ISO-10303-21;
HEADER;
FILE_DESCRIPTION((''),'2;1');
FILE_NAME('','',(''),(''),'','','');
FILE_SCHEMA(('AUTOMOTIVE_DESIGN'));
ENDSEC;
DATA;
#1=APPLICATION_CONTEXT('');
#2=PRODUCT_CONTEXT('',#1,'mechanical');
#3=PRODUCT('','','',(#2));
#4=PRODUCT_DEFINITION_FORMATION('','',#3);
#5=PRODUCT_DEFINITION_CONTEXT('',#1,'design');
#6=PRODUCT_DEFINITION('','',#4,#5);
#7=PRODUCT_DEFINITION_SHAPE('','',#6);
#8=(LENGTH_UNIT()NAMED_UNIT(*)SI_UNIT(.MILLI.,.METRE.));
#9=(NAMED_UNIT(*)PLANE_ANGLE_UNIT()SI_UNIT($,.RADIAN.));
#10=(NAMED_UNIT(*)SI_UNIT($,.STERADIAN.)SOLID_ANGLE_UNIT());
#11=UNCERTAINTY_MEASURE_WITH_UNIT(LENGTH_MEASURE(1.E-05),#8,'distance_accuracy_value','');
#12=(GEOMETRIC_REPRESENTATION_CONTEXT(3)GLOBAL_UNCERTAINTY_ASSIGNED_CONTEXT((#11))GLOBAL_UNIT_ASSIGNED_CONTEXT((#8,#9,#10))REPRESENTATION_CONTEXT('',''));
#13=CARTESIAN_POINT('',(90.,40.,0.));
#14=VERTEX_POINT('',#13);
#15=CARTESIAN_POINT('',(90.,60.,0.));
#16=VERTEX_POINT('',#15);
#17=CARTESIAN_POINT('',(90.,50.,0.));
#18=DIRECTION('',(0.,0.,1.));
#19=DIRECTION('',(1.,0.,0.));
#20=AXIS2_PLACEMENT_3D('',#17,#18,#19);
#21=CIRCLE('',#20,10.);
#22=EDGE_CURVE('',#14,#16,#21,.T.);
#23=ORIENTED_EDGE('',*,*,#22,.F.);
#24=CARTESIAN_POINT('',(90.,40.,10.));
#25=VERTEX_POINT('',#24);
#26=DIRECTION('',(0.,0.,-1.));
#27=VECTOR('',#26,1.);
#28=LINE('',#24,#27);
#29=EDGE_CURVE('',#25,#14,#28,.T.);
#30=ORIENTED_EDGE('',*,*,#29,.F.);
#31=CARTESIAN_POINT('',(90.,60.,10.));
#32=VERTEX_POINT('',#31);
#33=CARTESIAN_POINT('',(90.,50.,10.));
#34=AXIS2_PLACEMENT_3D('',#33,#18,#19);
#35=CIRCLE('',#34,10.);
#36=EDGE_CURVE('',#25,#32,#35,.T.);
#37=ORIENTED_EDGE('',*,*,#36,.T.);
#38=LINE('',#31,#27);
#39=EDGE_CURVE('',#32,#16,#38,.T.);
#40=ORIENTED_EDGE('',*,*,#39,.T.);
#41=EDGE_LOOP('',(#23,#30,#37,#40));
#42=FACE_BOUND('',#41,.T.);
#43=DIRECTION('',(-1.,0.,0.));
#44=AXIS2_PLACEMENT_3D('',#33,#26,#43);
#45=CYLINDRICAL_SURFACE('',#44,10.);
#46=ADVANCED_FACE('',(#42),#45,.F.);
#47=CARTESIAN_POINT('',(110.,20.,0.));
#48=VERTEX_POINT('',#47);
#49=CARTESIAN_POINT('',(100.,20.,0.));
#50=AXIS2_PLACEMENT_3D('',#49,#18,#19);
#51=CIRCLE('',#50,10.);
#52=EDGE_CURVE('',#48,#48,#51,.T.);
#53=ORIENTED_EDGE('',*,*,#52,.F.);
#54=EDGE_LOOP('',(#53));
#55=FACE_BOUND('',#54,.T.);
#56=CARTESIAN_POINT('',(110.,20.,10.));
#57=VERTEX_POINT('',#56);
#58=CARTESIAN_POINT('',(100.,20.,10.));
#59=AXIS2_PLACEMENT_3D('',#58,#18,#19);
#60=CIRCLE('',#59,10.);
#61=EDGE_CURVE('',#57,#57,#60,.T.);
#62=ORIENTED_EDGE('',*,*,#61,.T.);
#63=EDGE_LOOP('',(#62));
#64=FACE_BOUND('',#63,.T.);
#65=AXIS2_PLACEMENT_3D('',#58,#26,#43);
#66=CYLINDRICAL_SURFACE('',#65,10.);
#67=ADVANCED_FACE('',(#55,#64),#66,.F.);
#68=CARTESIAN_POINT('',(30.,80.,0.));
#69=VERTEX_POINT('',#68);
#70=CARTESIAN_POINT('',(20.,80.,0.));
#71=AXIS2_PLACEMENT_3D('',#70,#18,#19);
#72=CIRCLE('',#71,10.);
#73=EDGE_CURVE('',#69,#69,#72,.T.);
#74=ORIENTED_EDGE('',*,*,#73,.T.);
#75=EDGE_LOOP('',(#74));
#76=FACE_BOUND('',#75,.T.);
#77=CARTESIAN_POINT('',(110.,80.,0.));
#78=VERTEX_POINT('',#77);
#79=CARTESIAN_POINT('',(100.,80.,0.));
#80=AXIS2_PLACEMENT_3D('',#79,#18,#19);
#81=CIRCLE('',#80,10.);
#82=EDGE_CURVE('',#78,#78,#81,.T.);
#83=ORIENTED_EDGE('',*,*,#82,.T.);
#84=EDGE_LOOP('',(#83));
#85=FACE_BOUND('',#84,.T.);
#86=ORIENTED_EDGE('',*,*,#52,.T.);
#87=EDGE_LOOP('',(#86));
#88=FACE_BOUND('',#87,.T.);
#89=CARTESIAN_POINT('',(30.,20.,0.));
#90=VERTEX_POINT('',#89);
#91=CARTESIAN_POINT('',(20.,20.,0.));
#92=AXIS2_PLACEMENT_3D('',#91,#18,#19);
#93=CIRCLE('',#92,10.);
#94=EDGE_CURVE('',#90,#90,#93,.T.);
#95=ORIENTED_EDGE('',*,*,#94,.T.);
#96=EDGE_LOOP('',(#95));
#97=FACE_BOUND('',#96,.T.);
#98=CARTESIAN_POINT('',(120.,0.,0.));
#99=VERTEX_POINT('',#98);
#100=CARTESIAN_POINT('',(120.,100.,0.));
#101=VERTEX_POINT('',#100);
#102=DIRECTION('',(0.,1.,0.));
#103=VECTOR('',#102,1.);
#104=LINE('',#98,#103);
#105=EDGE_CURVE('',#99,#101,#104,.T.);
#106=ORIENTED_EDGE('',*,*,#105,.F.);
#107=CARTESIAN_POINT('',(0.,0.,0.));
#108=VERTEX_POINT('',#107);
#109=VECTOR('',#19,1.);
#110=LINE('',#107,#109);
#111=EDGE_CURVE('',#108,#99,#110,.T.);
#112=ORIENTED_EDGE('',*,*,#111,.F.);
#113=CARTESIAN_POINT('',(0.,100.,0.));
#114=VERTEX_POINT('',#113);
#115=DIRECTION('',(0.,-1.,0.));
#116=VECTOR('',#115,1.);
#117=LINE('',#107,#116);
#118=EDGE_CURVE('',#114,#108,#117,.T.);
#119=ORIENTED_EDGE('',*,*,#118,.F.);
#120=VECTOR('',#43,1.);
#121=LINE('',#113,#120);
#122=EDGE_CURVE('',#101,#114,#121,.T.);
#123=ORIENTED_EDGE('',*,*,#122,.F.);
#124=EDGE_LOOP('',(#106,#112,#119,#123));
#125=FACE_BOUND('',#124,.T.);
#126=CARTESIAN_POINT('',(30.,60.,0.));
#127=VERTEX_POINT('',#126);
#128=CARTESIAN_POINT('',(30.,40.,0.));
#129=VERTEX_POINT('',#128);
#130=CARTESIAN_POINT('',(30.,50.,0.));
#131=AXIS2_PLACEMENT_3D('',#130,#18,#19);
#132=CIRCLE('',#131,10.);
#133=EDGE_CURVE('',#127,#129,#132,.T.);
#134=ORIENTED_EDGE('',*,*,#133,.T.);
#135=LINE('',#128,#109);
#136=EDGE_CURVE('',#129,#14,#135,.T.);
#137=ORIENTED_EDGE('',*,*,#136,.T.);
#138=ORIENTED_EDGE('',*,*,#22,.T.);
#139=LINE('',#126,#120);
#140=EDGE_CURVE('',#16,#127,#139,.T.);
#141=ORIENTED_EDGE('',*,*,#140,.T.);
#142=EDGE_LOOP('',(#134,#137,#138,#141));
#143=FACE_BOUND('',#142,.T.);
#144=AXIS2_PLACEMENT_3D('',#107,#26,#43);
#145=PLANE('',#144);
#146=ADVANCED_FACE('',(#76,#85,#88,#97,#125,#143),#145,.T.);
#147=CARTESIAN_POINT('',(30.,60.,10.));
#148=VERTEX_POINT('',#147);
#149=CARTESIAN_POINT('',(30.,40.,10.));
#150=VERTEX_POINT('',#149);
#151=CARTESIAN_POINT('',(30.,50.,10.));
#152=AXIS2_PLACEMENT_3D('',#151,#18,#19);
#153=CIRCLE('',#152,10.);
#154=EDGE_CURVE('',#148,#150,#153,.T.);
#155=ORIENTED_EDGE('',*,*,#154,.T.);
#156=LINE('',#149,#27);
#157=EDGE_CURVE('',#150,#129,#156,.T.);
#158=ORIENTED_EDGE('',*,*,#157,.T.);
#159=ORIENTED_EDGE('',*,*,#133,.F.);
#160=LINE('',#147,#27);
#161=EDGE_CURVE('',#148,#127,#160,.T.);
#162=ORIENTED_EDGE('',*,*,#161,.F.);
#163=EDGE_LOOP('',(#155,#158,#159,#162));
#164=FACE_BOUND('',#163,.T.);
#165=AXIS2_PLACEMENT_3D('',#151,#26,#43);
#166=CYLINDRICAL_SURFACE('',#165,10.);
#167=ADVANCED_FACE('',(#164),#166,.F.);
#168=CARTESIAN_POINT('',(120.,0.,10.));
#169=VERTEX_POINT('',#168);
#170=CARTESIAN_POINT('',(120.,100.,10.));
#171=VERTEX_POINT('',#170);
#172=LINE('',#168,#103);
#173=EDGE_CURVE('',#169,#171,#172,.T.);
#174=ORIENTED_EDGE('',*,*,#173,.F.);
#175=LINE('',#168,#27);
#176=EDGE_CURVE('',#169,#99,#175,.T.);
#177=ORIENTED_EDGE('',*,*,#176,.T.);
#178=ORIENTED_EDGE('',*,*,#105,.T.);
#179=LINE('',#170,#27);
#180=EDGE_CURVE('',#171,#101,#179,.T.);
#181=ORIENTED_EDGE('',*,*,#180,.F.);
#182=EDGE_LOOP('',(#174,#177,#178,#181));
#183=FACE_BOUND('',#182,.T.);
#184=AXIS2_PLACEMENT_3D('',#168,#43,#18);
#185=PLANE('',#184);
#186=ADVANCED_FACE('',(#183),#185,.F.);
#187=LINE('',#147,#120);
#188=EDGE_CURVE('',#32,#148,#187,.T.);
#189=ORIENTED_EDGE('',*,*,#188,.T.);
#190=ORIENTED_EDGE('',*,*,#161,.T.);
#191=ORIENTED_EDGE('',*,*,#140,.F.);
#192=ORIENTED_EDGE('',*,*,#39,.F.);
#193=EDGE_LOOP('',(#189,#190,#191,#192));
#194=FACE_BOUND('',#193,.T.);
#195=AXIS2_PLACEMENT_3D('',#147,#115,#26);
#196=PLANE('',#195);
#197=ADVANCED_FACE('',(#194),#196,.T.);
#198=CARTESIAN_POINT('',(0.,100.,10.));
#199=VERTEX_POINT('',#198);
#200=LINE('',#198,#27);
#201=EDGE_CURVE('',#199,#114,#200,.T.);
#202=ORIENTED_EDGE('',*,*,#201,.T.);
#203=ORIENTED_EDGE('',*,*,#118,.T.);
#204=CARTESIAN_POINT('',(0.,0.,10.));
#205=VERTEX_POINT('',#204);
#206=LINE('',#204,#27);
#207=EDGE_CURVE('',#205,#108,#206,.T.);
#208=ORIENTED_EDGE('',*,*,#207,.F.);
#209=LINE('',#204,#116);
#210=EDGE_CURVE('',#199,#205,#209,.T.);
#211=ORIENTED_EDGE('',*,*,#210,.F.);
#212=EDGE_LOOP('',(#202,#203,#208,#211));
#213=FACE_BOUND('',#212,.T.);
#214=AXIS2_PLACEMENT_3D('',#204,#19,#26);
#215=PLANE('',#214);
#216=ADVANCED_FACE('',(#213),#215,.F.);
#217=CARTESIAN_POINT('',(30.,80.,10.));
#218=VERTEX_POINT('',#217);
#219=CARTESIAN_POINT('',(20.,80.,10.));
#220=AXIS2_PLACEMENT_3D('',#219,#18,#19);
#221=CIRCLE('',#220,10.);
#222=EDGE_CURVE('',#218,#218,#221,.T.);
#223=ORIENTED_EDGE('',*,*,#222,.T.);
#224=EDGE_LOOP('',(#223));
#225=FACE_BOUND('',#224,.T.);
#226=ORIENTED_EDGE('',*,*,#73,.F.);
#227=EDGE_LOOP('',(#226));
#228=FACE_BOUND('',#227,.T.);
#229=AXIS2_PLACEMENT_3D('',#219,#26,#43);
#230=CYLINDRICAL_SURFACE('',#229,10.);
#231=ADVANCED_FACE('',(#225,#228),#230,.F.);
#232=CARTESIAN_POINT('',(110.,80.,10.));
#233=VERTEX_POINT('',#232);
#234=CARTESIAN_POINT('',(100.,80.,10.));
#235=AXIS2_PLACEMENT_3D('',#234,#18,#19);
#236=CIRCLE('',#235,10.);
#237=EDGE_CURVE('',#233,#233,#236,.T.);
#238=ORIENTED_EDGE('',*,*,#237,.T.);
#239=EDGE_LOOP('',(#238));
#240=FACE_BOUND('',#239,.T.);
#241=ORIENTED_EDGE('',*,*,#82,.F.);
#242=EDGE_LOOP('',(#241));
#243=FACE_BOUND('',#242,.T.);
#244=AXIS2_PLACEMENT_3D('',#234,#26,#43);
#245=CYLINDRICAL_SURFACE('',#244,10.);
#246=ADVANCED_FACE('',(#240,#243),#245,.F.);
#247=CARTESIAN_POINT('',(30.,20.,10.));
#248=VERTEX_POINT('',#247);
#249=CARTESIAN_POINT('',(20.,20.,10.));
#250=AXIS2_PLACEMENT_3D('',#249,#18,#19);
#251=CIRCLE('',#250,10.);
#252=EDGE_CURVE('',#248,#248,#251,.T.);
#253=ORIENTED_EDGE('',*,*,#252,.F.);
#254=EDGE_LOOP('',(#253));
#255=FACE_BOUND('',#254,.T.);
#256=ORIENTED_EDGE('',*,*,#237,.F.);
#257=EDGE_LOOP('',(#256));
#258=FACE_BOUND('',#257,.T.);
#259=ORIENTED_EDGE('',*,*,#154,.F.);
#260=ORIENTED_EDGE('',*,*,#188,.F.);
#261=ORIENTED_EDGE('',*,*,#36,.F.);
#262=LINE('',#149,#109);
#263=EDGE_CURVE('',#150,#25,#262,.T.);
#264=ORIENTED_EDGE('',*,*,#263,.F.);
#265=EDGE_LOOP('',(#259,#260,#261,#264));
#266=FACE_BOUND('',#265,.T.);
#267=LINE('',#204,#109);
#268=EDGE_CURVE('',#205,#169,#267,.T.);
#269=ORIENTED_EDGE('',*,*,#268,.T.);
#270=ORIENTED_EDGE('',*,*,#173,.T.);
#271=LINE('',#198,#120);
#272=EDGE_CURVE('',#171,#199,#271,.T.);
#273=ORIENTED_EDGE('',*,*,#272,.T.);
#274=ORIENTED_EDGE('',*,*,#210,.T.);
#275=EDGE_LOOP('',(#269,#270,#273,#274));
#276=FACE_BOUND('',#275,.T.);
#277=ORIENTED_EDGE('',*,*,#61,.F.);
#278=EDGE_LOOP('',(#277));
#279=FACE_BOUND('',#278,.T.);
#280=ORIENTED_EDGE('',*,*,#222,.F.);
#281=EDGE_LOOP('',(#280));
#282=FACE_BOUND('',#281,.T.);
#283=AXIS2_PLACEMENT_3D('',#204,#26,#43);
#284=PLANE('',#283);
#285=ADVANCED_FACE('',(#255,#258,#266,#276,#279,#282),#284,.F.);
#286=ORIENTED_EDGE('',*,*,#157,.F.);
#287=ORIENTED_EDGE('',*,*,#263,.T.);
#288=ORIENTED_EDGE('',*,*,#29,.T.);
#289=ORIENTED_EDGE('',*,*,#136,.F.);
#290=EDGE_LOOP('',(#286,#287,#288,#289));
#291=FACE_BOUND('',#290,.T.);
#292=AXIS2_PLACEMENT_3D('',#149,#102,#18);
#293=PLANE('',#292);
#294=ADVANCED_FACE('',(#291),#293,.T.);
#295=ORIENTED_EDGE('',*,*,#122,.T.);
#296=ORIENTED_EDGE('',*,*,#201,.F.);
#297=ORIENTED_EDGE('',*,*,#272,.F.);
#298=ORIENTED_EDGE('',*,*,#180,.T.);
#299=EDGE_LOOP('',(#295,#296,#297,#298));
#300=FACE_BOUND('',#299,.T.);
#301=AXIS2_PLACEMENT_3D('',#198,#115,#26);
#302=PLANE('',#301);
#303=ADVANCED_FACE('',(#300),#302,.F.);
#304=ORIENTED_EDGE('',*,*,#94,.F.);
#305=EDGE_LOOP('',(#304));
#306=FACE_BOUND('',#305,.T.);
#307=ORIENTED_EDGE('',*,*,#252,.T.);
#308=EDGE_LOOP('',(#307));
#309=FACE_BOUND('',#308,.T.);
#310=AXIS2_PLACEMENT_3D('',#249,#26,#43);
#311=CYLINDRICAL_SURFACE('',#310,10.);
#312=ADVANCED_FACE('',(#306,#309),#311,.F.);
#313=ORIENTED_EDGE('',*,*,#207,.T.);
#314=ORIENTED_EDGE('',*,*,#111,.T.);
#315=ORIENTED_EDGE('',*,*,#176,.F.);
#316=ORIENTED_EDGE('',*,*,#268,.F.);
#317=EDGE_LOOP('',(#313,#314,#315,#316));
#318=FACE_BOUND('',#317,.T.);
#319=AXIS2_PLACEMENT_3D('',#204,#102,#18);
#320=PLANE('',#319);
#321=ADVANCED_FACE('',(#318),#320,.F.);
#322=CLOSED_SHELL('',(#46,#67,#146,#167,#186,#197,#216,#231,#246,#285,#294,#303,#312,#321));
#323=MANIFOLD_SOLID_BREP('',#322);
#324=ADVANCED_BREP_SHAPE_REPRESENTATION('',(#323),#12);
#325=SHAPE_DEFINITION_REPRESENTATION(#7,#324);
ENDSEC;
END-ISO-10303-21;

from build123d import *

# Parameters (mm, degrees)
SKETCH1_W           = 120
SKETCH1_H           = 100
SKETCH1_R           = 10
BOSS_EXTRUDE1_DEPTH = 10


with BuildPart() as part:
    # Sketch1 → Boss-Extrude1 (new body)
    with BuildSketch(Plane.XY):
        with Locations((60, 50)):
            Rectangle(SKETCH1_W, SKETCH1_H)
        with Locations((20, 80)):
            Circle(SKETCH1_R, mode=Mode.SUBTRACT)
        with Locations((100, 80)):
            Circle(SKETCH1_R, mode=Mode.SUBTRACT)
        with Locations((100, 20)):
            Circle(SKETCH1_R, mode=Mode.SUBTRACT)
        with Locations((20, 20)):
            Circle(SKETCH1_R, mode=Mode.SUBTRACT)
        with BuildLine():
            Line((30, 60), (90, 60))
            ThreePointArc((90, 60), (100, 50), (90, 40))
            Line((90, 40), (30, 40))
            ThreePointArc((30, 40), (20, 50), (30, 60))
        make_face(mode=Mode.SUBTRACT)
    extrude(amount=BOSS_EXTRUDE1_DEPTH)


solid = part.part
